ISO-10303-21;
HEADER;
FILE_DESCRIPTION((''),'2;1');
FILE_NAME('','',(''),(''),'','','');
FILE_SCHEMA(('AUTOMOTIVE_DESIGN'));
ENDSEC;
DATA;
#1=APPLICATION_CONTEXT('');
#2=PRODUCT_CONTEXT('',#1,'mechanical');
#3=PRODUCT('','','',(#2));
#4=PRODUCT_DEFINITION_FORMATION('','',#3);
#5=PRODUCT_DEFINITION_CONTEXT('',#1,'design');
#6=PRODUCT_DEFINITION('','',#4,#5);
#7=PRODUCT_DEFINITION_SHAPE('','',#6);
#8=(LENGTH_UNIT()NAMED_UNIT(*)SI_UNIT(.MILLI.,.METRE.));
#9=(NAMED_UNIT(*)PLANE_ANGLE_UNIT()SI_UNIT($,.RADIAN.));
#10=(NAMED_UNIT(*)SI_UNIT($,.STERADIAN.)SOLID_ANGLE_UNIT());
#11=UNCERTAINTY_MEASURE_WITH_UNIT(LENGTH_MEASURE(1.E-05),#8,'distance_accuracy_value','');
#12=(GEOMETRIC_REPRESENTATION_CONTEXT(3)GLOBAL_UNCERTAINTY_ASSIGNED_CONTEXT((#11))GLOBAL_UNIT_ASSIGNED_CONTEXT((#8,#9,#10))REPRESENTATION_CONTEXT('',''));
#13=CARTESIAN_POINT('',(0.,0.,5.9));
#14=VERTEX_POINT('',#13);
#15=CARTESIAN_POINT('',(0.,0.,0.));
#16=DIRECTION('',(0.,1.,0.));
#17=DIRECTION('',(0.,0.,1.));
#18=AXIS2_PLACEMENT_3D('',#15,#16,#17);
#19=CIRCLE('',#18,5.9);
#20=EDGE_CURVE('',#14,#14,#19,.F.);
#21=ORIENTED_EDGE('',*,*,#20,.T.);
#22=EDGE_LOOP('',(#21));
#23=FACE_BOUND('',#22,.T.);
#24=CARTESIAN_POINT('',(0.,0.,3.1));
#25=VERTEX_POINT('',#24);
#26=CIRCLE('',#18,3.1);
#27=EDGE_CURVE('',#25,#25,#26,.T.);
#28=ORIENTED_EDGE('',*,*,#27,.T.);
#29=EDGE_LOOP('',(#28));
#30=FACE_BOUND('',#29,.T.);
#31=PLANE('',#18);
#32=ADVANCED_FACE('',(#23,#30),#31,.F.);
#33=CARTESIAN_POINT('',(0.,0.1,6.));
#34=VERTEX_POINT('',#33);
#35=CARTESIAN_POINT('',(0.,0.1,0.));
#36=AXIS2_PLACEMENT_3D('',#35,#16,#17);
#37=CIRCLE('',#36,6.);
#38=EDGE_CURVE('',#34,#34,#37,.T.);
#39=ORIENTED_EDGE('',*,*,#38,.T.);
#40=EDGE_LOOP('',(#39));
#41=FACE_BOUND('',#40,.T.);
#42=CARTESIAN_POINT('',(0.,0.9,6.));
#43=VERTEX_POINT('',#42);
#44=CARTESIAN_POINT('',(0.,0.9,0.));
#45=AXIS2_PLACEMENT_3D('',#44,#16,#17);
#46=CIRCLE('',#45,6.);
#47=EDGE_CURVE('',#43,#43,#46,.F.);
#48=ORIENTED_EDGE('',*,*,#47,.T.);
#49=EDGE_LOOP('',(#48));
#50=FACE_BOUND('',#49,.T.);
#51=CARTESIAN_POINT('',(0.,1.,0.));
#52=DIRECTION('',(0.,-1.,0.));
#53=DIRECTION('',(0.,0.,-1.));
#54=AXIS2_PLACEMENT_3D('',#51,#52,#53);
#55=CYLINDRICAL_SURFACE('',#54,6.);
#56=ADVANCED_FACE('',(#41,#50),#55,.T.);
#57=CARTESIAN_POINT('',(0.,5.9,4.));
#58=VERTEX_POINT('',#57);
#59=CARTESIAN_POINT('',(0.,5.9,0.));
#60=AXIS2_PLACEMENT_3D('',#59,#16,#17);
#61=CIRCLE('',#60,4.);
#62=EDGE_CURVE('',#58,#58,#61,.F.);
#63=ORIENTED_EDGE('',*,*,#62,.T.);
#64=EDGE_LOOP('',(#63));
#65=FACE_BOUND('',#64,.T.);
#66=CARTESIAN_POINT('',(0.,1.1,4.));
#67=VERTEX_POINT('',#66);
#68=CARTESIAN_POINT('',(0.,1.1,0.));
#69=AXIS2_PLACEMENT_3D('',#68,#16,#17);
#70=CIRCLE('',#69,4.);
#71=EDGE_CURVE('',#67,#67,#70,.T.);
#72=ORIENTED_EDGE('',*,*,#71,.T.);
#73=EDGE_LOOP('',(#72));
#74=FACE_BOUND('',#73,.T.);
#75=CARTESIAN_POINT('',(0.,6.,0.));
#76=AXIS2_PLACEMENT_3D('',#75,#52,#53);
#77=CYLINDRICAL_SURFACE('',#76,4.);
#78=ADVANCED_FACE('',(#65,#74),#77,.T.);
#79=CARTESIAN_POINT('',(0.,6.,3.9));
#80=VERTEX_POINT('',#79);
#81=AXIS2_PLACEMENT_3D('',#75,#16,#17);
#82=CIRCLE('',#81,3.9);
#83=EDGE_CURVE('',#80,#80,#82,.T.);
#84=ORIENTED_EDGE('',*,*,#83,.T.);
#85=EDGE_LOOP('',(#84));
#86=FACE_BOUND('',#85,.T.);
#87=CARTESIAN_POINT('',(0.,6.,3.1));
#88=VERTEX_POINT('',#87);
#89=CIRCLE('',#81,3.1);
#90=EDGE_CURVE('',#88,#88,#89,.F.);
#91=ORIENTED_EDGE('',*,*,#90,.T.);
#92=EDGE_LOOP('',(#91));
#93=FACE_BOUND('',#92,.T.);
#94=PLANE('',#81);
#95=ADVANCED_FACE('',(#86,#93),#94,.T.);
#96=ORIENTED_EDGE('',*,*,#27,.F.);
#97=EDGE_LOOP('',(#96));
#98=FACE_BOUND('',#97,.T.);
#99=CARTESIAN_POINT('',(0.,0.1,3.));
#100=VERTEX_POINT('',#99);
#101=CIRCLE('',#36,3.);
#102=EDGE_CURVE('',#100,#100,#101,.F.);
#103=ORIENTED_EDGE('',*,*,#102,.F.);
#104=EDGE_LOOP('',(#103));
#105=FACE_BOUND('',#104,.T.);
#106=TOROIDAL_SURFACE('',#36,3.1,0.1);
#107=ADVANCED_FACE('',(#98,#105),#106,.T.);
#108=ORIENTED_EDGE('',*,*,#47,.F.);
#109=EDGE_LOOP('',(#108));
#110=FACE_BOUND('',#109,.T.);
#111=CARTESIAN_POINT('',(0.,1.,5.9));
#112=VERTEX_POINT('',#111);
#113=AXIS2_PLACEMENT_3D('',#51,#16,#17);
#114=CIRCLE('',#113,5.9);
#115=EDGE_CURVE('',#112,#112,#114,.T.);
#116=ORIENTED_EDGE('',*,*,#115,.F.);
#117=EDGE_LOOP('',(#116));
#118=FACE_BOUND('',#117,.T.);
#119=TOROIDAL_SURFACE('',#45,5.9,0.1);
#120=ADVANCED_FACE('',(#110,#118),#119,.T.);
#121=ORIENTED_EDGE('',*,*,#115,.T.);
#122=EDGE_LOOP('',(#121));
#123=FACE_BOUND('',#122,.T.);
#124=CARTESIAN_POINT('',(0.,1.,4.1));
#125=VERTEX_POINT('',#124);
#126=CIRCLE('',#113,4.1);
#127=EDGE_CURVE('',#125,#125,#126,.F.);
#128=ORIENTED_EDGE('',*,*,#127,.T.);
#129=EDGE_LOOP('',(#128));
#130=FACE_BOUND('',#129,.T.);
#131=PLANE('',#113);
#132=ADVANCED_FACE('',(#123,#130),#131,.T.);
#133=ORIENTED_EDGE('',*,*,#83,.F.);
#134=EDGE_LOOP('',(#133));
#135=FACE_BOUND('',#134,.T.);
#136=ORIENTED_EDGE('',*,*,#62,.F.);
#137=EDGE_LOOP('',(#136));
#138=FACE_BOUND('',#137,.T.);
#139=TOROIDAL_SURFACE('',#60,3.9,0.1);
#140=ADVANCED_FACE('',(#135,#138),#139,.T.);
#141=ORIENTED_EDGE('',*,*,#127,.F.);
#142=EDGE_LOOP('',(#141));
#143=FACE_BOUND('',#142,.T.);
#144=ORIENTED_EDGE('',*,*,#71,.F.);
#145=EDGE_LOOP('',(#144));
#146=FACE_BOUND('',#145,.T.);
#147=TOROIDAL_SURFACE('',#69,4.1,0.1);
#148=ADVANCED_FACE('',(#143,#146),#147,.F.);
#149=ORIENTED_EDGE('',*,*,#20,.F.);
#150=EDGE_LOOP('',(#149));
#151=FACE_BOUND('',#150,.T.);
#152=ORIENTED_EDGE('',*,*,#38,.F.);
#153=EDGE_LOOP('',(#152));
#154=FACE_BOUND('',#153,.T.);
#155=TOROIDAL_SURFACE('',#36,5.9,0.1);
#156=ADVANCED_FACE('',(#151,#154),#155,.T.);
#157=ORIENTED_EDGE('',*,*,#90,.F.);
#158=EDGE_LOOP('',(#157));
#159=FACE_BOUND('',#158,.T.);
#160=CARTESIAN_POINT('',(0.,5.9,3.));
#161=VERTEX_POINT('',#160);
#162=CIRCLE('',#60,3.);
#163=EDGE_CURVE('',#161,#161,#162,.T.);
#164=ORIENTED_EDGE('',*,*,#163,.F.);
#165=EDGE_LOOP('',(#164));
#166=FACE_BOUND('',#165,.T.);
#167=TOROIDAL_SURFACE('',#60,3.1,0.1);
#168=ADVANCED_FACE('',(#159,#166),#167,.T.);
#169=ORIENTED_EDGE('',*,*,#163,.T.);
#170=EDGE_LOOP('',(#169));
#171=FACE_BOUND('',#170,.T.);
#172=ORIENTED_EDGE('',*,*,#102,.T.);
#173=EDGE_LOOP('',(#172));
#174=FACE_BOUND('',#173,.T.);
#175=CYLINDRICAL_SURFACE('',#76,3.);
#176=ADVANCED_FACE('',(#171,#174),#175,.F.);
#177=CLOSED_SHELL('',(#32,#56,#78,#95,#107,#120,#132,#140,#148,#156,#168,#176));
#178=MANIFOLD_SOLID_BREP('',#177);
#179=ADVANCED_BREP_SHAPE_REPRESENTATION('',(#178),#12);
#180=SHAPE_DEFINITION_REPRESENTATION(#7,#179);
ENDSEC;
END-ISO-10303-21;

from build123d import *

# Parameters (mm, degrees)
SKETCH3_R           = 4
SKETCH3_R_2         = 3
BOSS_EXTRUDE1_DEPTH = 6
SKETCH4_R           = 6
SKETCH4_R_2         = 4
BOSS_EXTRUDE2_DEPTH = 1
FILLET1_R           = 0.1


with BuildPart() as part:
    # Sketch3 → Boss-Extrude1 (new body)
    with BuildSketch(Plane(origin=(0, 0, 0), x_dir=(1, 0, 0), z_dir=(0, 1, 0))):
        with Locations(Location((0, 0, 0), (0, 0, 270))):
            Circle(SKETCH3_R)
        with Locations(Location((0, 0, 0), (0, 0, 270))):
            Circle(SKETCH3_R_2, mode=Mode.SUBTRACT)
    extrude(amount=BOSS_EXTRUDE1_DEPTH)

    # Sketch4 → Boss-Extrude2 (add)
    with BuildSketch(Plane(origin=(0, 0, 0), x_dir=(1, 0, 0), z_dir=(0, 1, 0))):
        with Locations(Location((0, 0, 0), (0, 0, 270))):
            Circle(SKETCH4_R)
        with Locations(Location((0, 0, 0), (0, 0, 270))):
            Circle(SKETCH4_R_2, mode=Mode.SUBTRACT)
    extrude(amount=BOSS_EXTRUDE2_DEPTH)

    # Fillet1
    fillet1_edges = [part.edges().sort_by_distance(p)[0] for p in [
        (0, 0, -6),
        (0, 1, -4),
        (0, 6, -4),
        (0, 0, -3),
        (0, 6, -3),
        (0, 1, -6),
    ]]
    fillet(fillet1_edges, radius=FILLET1_R)


solid = part.part
